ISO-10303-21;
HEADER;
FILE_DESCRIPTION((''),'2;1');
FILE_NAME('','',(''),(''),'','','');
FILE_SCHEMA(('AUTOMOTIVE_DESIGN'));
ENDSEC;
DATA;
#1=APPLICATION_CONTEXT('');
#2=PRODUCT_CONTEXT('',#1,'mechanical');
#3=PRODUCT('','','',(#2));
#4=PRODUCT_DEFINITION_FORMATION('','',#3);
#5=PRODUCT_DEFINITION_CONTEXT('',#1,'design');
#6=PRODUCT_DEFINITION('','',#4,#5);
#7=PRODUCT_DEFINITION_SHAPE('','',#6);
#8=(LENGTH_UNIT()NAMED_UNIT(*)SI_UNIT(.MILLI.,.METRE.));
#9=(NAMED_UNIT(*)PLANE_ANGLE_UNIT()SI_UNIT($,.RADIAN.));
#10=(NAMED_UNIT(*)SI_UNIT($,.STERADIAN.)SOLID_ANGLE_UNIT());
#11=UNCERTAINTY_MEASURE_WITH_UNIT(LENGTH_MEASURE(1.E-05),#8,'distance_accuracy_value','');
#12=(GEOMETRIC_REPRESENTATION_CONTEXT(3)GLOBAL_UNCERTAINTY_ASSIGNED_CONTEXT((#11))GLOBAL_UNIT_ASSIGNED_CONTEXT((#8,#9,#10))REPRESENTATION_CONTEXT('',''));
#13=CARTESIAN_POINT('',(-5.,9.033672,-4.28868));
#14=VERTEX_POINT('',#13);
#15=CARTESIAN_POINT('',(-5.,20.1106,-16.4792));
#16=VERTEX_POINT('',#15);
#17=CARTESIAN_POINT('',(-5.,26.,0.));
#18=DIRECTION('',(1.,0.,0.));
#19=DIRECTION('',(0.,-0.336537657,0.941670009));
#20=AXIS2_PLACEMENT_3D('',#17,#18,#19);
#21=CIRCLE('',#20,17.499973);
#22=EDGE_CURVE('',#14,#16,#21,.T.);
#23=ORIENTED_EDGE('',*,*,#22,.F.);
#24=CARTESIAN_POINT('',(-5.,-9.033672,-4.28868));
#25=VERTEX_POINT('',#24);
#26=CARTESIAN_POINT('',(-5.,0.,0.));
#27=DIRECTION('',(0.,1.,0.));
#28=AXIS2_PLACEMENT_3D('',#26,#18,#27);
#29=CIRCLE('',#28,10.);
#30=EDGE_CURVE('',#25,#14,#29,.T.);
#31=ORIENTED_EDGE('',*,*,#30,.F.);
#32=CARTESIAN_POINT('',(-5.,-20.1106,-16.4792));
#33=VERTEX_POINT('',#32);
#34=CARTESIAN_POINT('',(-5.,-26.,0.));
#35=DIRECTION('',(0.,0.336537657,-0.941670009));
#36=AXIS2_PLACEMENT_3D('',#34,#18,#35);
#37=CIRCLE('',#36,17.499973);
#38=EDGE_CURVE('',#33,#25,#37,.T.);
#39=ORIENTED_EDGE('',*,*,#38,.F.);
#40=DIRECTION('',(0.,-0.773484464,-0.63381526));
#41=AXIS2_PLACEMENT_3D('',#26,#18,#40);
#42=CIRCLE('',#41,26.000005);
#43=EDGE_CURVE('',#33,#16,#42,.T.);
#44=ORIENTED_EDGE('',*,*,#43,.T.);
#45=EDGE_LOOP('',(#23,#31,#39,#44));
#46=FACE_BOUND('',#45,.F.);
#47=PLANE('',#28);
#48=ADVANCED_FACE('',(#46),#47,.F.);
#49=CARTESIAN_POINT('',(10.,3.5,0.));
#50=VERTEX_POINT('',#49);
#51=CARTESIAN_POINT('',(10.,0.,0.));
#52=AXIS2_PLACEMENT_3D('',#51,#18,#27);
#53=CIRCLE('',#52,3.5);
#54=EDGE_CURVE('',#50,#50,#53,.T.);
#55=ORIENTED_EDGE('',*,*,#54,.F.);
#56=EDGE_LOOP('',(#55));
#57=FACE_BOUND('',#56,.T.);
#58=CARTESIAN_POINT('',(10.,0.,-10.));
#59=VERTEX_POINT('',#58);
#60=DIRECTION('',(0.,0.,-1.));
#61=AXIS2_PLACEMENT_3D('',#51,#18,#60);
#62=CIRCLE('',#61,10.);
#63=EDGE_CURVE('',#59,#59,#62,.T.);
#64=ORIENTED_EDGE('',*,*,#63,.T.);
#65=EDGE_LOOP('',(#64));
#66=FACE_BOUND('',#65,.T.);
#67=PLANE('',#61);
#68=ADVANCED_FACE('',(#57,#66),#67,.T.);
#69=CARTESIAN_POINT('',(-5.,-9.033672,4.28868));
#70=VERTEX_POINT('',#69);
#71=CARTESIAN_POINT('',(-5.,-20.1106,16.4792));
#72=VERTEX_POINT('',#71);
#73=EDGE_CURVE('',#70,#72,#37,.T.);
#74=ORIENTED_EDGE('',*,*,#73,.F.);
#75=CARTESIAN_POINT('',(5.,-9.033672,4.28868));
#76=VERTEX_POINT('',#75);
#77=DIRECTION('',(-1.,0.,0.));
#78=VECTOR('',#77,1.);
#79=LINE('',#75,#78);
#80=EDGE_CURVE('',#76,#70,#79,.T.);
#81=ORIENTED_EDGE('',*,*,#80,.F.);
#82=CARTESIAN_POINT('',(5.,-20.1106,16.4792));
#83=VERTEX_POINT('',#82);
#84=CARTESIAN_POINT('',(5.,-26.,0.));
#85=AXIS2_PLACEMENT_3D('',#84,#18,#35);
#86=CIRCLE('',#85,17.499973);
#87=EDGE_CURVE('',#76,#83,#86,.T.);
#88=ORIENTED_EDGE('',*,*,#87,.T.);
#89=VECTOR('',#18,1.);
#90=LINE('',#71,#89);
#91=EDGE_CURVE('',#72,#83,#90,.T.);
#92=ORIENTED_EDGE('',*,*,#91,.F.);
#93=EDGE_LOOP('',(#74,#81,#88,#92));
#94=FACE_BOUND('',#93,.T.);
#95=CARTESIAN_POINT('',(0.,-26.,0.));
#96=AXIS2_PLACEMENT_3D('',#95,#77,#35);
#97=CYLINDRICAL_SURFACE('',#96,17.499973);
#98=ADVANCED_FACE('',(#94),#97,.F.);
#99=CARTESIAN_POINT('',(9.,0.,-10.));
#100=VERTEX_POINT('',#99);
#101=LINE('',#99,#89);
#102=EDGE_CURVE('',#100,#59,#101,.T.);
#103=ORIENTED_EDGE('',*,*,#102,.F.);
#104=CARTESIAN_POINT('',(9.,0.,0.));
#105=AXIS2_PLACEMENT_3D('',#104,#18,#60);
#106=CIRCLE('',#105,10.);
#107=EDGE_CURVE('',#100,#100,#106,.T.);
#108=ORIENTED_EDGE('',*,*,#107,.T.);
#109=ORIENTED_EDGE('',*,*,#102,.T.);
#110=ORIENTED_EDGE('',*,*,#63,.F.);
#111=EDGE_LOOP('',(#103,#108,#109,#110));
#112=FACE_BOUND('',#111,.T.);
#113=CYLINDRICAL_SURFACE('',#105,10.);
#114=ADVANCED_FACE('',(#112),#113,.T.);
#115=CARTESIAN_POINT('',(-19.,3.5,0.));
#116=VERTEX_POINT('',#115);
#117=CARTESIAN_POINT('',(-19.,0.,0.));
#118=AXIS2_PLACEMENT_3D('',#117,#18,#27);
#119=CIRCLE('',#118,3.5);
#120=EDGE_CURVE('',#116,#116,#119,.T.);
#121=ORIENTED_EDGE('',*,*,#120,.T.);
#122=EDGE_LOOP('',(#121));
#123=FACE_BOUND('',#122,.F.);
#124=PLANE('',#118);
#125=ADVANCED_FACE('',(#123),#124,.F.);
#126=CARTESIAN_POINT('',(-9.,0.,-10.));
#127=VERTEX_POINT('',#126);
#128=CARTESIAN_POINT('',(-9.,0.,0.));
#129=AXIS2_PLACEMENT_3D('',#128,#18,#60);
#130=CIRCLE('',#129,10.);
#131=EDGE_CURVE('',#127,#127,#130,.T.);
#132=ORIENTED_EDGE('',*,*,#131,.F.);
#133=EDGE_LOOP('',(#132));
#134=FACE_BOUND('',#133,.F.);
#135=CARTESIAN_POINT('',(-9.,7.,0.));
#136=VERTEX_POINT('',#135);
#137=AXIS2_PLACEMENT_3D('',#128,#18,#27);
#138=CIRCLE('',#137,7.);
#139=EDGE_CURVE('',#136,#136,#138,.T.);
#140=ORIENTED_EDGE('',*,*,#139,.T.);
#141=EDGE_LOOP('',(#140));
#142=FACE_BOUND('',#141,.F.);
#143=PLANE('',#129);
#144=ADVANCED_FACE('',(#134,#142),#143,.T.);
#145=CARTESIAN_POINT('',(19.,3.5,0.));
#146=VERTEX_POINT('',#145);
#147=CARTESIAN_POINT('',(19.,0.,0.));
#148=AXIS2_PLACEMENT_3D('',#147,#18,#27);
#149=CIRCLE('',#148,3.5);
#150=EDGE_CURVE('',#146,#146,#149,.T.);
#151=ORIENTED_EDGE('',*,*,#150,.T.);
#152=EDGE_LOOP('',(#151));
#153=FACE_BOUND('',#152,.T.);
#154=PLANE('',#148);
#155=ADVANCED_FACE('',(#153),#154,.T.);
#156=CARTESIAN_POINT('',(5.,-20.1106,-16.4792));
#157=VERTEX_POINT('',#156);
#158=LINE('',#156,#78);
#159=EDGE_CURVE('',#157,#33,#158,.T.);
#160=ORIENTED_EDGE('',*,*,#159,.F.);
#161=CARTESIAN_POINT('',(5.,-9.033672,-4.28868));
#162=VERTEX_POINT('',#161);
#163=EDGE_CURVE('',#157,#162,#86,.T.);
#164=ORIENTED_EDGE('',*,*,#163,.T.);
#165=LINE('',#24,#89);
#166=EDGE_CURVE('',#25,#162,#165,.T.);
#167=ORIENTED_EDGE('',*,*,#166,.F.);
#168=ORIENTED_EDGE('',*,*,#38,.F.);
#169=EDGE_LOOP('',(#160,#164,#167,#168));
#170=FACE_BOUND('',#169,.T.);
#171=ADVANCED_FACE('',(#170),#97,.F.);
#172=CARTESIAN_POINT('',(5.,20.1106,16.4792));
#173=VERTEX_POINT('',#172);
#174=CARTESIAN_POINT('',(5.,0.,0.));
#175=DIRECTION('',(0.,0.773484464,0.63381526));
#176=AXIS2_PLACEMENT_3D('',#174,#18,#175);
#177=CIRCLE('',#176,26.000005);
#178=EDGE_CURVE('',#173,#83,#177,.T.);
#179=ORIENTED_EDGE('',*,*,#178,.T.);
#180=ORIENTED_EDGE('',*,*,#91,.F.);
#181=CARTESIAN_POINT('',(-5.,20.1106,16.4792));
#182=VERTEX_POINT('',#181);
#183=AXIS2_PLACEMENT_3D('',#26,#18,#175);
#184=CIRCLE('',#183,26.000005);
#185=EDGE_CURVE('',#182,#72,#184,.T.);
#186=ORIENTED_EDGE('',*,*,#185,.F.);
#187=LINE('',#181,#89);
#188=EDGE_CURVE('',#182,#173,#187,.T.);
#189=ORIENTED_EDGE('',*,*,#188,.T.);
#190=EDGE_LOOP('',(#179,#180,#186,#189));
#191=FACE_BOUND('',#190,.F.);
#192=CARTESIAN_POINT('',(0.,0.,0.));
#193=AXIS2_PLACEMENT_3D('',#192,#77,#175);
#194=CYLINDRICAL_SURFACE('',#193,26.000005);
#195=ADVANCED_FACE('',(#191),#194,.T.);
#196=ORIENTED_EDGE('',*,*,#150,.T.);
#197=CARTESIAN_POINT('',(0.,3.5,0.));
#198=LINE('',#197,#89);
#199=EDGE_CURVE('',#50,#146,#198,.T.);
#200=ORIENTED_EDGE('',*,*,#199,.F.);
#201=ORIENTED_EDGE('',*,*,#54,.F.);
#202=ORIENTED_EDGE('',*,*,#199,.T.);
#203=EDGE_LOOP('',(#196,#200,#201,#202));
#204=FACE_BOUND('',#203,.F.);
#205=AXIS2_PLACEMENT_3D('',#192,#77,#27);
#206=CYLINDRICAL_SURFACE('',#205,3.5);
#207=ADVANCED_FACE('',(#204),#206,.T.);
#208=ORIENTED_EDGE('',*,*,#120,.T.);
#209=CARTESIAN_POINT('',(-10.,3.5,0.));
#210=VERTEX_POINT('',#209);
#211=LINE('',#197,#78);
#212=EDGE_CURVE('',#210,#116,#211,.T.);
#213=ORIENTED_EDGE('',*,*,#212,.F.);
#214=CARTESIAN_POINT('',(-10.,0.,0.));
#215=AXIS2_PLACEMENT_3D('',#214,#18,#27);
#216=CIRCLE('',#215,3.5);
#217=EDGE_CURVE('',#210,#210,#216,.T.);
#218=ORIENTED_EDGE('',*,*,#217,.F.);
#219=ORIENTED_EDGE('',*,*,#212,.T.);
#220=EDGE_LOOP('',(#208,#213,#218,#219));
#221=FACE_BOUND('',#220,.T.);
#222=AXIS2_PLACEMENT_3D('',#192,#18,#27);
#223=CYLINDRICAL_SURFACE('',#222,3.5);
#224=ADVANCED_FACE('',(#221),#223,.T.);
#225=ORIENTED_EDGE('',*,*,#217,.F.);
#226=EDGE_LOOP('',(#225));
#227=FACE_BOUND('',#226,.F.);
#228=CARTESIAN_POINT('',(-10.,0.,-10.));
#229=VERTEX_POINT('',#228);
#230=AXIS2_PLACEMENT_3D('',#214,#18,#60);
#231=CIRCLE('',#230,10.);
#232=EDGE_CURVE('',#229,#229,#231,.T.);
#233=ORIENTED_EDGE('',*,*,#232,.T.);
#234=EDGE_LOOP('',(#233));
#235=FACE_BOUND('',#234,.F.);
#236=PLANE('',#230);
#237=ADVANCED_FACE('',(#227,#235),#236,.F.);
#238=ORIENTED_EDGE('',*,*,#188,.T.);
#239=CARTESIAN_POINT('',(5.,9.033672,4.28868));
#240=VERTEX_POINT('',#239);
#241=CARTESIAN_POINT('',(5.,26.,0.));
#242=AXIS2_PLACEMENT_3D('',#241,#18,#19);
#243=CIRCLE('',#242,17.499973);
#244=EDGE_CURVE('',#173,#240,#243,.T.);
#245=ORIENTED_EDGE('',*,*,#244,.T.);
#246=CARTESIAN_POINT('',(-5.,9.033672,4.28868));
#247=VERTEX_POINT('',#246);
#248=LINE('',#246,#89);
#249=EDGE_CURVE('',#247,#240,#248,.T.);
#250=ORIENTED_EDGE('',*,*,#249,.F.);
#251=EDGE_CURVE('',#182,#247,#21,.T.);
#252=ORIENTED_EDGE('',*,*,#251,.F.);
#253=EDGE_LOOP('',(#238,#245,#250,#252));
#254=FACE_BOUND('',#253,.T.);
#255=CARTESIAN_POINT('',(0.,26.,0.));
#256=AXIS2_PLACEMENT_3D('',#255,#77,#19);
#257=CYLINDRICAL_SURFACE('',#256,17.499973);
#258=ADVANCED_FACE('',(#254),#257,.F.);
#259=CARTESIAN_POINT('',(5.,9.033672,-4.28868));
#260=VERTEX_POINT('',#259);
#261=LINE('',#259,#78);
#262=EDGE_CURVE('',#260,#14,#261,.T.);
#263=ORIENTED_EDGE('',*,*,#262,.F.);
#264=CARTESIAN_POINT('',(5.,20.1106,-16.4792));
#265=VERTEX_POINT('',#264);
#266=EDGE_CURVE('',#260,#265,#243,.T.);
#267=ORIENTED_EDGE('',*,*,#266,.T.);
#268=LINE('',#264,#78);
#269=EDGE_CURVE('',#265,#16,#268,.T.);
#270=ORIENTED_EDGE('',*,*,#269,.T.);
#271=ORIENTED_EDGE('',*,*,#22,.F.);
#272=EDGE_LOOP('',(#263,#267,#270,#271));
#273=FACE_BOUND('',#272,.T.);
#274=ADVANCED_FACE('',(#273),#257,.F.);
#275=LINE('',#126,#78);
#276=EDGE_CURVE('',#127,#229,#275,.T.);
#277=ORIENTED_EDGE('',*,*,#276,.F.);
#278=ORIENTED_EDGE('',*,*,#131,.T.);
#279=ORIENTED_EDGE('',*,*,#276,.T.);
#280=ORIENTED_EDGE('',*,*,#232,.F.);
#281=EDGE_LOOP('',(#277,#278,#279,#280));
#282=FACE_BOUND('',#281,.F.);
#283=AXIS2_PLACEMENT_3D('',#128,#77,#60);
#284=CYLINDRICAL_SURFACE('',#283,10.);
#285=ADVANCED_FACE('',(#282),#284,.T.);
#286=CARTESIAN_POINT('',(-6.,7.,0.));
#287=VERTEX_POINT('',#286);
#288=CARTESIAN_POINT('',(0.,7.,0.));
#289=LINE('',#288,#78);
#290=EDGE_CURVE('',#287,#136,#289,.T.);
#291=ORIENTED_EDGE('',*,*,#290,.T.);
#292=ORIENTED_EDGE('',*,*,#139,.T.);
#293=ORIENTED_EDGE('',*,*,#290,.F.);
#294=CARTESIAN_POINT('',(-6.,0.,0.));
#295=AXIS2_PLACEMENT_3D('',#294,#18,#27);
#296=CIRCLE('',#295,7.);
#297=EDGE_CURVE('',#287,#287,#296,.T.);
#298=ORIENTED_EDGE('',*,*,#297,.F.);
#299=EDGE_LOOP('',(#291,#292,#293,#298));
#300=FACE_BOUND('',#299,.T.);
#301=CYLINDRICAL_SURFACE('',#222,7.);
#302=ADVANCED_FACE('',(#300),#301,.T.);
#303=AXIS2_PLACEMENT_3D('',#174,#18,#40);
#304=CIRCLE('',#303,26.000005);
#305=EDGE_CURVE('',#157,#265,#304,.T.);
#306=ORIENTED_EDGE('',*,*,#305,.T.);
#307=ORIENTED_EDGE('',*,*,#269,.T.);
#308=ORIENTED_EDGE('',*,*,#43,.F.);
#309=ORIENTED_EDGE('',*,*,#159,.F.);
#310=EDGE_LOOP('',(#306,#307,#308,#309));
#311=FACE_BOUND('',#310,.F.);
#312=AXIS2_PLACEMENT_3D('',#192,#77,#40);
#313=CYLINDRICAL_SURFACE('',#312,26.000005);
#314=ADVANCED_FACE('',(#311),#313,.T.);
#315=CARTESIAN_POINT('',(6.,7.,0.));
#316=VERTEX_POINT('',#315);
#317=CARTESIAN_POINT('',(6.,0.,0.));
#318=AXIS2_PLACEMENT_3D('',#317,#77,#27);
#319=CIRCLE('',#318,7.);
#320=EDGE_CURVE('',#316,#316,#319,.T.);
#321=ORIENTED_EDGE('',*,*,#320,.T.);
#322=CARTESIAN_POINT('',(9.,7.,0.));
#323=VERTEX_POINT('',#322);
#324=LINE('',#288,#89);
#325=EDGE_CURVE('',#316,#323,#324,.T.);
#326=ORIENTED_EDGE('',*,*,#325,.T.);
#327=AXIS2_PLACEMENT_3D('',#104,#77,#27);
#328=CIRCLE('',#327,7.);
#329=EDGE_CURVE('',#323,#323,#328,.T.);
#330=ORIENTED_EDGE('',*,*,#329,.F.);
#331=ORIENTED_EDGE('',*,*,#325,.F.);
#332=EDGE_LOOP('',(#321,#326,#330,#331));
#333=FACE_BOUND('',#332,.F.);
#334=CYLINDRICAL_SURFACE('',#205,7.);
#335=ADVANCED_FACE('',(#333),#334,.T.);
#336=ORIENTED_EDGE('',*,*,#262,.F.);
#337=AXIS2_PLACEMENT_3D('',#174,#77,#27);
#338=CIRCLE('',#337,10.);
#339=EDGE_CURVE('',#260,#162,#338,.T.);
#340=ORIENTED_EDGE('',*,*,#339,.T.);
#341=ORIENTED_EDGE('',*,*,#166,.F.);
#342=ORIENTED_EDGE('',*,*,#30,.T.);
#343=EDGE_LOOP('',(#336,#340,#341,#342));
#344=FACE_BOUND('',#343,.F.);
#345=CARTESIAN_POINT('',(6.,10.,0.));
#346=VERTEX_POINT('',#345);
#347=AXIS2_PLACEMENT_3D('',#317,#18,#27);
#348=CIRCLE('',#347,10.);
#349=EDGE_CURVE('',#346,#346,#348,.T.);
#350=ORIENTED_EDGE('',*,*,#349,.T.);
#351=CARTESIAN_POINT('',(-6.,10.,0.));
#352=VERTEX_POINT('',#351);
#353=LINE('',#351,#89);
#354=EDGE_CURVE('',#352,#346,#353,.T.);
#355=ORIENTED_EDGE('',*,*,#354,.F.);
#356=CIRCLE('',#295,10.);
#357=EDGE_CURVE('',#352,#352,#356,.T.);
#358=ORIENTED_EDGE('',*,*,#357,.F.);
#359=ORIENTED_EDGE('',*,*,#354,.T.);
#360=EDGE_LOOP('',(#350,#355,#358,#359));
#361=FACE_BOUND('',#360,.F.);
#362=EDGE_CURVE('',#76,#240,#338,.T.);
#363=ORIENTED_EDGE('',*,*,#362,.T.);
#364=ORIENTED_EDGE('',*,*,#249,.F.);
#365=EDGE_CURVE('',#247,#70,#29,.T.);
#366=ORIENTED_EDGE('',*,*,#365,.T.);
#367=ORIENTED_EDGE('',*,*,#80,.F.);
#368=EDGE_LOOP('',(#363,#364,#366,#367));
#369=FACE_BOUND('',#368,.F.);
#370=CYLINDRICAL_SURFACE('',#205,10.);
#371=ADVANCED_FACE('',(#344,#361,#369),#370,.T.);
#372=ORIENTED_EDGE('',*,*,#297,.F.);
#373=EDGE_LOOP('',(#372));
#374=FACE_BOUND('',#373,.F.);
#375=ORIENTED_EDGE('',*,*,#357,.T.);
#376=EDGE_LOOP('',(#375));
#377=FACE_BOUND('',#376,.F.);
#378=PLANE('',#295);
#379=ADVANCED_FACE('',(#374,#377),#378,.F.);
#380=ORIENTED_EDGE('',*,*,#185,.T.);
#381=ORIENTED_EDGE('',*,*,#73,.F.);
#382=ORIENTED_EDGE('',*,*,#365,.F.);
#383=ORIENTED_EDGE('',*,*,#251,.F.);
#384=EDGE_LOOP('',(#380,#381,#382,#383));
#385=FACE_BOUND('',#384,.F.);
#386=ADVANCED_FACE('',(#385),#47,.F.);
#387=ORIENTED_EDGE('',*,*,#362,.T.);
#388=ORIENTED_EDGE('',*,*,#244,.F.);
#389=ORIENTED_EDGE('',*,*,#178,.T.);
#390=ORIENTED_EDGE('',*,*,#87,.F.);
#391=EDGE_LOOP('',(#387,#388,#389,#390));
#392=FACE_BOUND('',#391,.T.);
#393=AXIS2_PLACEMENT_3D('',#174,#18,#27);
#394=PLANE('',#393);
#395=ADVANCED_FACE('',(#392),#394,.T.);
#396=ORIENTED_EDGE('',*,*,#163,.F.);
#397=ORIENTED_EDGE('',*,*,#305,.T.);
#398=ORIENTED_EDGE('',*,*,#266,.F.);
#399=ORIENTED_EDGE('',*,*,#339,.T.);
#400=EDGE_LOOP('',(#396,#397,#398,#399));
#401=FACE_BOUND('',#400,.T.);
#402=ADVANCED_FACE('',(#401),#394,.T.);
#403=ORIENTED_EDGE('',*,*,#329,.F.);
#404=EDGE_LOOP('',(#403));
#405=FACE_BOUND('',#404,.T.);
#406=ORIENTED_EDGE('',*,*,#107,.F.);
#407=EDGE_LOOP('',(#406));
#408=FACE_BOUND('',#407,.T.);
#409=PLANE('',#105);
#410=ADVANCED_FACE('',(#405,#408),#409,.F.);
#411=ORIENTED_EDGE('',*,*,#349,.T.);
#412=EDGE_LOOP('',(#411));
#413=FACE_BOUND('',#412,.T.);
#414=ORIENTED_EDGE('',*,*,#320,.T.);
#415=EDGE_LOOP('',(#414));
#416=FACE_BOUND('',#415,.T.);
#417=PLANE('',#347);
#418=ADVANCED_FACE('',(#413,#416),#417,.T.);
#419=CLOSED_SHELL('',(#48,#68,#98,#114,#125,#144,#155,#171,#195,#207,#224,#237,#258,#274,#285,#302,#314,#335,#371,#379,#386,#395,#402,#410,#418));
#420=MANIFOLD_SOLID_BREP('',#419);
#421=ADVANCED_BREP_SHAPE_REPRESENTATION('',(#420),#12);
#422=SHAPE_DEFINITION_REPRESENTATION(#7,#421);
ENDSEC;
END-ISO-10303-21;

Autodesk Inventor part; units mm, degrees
ref_plane "YZ Plane" through (0, 0, 0) normal (1, 0, 0) x (0, 1, 0)
ref_plane "XZ Plane" through (0, 0, 0) normal (0, 1, 0) x (-1, 0, 0)
ref_plane "XY Plane" through (0, 0, 0) normal (0, 0, 1) x (1, 0, 0)
sketch "Boceto1" plane through (0, 0, 0) normal (1, 0, 0) x (0, 1, 0)
  circle A0 centre (0, 0) radius 3.5
  dimension "d0" = 7
extrude "Extrusión1" add sketch "Boceto1" along normal mid plane 38
sketch "Boceto2" plane through (0, 0, 0) normal (1, 0, 0) x (0, 1, 0)
  arc A0 (20.1106, 16.4792) -> (20.1106, -16.4792) centre (26, 0) ccw
  arc A1 (-20.1106, -16.4792) -> (-20.1106, 16.4792) centre (-26, 0) ccw
  arc A2 (-20.1106, -16.4792) -> (20.1106, -16.4792) centre (0, 0) ccw
  arc A3 (20.1106, 16.4792) -> (-20.1106, 16.4792) centre (0, 0) ccw
  dimension "d22" = 35
  dimension "d23" = 35
extrude "Extrusión2" add sketch "Boceto2" along normal mid plane 10
sketch "Boceto3" plane through (0, 0, 0) normal (1, 0, 0) x (0, 1, 0)
  circle A0 centre (0, 0) radius 10
  dimension "d8" = 20
extrude "Extrusión3" add sketch "Boceto3" along normal mid plane 12
sketch "Boceto4" plane through (0, 0, 0) normal (1, 0, 0) x (0, 1, 0)
  circle A0 centre (0, 0) radius 3.5 projected
  circle A1 centre (0, 0) radius 7
  dimension "d11" = 14
extrude "Extrusión4" add sketch "Boceto4" along normal mid plane 20
sketch "Boceto6" plane through (0, 0, 0) normal (0, 1, 0) x (-1, 0, 0)
  line L0 (10, -3.5) -> (10, 3.5) projected
  line L1 (10, 0) -> (9, 0)
  line L2 (9, 0) -> (9, -10)
  line L3 (9, -10) -> (10, -10)
  line L4 (10, -10) -> (10, 0)
  line L5 (26.6, 0) -> (-26.6, 0) projected
  point P0 (0, 0)
  dimension "d15" = 1
  dimension "d16" = 10
revolve "Revolución1" add sketch "Boceto6" angle 360 about axis through (-10, 0, 0) along (1, 0, 0)
sketch "Boceto7" plane through (0, 0, 0) normal (0, 1, 0) x (-1, 0, 0)
  line L0 (-10, 7) -> (-10, -7) projected
  line L1 (-10, 0) -> (-9, 0)
  line L2 (-9, 0) -> (-9, -10)
  line L3 (-9, -10) -> (-10, -10)
  line L4 (-10, -10) -> (-10, 0)
  line L5 (26.6, 0) -> (-26.6, 0) projected
  point P0 (0, 0)
  dimension "d18" = 1
  dimension "d19" = 10
revolve "Revolución2" add sketch "Boceto7" angle 360 about axis through (-10, 0, 0) along (1, 0, 0)
properties part number "arma" material "Aluminio 6061"
